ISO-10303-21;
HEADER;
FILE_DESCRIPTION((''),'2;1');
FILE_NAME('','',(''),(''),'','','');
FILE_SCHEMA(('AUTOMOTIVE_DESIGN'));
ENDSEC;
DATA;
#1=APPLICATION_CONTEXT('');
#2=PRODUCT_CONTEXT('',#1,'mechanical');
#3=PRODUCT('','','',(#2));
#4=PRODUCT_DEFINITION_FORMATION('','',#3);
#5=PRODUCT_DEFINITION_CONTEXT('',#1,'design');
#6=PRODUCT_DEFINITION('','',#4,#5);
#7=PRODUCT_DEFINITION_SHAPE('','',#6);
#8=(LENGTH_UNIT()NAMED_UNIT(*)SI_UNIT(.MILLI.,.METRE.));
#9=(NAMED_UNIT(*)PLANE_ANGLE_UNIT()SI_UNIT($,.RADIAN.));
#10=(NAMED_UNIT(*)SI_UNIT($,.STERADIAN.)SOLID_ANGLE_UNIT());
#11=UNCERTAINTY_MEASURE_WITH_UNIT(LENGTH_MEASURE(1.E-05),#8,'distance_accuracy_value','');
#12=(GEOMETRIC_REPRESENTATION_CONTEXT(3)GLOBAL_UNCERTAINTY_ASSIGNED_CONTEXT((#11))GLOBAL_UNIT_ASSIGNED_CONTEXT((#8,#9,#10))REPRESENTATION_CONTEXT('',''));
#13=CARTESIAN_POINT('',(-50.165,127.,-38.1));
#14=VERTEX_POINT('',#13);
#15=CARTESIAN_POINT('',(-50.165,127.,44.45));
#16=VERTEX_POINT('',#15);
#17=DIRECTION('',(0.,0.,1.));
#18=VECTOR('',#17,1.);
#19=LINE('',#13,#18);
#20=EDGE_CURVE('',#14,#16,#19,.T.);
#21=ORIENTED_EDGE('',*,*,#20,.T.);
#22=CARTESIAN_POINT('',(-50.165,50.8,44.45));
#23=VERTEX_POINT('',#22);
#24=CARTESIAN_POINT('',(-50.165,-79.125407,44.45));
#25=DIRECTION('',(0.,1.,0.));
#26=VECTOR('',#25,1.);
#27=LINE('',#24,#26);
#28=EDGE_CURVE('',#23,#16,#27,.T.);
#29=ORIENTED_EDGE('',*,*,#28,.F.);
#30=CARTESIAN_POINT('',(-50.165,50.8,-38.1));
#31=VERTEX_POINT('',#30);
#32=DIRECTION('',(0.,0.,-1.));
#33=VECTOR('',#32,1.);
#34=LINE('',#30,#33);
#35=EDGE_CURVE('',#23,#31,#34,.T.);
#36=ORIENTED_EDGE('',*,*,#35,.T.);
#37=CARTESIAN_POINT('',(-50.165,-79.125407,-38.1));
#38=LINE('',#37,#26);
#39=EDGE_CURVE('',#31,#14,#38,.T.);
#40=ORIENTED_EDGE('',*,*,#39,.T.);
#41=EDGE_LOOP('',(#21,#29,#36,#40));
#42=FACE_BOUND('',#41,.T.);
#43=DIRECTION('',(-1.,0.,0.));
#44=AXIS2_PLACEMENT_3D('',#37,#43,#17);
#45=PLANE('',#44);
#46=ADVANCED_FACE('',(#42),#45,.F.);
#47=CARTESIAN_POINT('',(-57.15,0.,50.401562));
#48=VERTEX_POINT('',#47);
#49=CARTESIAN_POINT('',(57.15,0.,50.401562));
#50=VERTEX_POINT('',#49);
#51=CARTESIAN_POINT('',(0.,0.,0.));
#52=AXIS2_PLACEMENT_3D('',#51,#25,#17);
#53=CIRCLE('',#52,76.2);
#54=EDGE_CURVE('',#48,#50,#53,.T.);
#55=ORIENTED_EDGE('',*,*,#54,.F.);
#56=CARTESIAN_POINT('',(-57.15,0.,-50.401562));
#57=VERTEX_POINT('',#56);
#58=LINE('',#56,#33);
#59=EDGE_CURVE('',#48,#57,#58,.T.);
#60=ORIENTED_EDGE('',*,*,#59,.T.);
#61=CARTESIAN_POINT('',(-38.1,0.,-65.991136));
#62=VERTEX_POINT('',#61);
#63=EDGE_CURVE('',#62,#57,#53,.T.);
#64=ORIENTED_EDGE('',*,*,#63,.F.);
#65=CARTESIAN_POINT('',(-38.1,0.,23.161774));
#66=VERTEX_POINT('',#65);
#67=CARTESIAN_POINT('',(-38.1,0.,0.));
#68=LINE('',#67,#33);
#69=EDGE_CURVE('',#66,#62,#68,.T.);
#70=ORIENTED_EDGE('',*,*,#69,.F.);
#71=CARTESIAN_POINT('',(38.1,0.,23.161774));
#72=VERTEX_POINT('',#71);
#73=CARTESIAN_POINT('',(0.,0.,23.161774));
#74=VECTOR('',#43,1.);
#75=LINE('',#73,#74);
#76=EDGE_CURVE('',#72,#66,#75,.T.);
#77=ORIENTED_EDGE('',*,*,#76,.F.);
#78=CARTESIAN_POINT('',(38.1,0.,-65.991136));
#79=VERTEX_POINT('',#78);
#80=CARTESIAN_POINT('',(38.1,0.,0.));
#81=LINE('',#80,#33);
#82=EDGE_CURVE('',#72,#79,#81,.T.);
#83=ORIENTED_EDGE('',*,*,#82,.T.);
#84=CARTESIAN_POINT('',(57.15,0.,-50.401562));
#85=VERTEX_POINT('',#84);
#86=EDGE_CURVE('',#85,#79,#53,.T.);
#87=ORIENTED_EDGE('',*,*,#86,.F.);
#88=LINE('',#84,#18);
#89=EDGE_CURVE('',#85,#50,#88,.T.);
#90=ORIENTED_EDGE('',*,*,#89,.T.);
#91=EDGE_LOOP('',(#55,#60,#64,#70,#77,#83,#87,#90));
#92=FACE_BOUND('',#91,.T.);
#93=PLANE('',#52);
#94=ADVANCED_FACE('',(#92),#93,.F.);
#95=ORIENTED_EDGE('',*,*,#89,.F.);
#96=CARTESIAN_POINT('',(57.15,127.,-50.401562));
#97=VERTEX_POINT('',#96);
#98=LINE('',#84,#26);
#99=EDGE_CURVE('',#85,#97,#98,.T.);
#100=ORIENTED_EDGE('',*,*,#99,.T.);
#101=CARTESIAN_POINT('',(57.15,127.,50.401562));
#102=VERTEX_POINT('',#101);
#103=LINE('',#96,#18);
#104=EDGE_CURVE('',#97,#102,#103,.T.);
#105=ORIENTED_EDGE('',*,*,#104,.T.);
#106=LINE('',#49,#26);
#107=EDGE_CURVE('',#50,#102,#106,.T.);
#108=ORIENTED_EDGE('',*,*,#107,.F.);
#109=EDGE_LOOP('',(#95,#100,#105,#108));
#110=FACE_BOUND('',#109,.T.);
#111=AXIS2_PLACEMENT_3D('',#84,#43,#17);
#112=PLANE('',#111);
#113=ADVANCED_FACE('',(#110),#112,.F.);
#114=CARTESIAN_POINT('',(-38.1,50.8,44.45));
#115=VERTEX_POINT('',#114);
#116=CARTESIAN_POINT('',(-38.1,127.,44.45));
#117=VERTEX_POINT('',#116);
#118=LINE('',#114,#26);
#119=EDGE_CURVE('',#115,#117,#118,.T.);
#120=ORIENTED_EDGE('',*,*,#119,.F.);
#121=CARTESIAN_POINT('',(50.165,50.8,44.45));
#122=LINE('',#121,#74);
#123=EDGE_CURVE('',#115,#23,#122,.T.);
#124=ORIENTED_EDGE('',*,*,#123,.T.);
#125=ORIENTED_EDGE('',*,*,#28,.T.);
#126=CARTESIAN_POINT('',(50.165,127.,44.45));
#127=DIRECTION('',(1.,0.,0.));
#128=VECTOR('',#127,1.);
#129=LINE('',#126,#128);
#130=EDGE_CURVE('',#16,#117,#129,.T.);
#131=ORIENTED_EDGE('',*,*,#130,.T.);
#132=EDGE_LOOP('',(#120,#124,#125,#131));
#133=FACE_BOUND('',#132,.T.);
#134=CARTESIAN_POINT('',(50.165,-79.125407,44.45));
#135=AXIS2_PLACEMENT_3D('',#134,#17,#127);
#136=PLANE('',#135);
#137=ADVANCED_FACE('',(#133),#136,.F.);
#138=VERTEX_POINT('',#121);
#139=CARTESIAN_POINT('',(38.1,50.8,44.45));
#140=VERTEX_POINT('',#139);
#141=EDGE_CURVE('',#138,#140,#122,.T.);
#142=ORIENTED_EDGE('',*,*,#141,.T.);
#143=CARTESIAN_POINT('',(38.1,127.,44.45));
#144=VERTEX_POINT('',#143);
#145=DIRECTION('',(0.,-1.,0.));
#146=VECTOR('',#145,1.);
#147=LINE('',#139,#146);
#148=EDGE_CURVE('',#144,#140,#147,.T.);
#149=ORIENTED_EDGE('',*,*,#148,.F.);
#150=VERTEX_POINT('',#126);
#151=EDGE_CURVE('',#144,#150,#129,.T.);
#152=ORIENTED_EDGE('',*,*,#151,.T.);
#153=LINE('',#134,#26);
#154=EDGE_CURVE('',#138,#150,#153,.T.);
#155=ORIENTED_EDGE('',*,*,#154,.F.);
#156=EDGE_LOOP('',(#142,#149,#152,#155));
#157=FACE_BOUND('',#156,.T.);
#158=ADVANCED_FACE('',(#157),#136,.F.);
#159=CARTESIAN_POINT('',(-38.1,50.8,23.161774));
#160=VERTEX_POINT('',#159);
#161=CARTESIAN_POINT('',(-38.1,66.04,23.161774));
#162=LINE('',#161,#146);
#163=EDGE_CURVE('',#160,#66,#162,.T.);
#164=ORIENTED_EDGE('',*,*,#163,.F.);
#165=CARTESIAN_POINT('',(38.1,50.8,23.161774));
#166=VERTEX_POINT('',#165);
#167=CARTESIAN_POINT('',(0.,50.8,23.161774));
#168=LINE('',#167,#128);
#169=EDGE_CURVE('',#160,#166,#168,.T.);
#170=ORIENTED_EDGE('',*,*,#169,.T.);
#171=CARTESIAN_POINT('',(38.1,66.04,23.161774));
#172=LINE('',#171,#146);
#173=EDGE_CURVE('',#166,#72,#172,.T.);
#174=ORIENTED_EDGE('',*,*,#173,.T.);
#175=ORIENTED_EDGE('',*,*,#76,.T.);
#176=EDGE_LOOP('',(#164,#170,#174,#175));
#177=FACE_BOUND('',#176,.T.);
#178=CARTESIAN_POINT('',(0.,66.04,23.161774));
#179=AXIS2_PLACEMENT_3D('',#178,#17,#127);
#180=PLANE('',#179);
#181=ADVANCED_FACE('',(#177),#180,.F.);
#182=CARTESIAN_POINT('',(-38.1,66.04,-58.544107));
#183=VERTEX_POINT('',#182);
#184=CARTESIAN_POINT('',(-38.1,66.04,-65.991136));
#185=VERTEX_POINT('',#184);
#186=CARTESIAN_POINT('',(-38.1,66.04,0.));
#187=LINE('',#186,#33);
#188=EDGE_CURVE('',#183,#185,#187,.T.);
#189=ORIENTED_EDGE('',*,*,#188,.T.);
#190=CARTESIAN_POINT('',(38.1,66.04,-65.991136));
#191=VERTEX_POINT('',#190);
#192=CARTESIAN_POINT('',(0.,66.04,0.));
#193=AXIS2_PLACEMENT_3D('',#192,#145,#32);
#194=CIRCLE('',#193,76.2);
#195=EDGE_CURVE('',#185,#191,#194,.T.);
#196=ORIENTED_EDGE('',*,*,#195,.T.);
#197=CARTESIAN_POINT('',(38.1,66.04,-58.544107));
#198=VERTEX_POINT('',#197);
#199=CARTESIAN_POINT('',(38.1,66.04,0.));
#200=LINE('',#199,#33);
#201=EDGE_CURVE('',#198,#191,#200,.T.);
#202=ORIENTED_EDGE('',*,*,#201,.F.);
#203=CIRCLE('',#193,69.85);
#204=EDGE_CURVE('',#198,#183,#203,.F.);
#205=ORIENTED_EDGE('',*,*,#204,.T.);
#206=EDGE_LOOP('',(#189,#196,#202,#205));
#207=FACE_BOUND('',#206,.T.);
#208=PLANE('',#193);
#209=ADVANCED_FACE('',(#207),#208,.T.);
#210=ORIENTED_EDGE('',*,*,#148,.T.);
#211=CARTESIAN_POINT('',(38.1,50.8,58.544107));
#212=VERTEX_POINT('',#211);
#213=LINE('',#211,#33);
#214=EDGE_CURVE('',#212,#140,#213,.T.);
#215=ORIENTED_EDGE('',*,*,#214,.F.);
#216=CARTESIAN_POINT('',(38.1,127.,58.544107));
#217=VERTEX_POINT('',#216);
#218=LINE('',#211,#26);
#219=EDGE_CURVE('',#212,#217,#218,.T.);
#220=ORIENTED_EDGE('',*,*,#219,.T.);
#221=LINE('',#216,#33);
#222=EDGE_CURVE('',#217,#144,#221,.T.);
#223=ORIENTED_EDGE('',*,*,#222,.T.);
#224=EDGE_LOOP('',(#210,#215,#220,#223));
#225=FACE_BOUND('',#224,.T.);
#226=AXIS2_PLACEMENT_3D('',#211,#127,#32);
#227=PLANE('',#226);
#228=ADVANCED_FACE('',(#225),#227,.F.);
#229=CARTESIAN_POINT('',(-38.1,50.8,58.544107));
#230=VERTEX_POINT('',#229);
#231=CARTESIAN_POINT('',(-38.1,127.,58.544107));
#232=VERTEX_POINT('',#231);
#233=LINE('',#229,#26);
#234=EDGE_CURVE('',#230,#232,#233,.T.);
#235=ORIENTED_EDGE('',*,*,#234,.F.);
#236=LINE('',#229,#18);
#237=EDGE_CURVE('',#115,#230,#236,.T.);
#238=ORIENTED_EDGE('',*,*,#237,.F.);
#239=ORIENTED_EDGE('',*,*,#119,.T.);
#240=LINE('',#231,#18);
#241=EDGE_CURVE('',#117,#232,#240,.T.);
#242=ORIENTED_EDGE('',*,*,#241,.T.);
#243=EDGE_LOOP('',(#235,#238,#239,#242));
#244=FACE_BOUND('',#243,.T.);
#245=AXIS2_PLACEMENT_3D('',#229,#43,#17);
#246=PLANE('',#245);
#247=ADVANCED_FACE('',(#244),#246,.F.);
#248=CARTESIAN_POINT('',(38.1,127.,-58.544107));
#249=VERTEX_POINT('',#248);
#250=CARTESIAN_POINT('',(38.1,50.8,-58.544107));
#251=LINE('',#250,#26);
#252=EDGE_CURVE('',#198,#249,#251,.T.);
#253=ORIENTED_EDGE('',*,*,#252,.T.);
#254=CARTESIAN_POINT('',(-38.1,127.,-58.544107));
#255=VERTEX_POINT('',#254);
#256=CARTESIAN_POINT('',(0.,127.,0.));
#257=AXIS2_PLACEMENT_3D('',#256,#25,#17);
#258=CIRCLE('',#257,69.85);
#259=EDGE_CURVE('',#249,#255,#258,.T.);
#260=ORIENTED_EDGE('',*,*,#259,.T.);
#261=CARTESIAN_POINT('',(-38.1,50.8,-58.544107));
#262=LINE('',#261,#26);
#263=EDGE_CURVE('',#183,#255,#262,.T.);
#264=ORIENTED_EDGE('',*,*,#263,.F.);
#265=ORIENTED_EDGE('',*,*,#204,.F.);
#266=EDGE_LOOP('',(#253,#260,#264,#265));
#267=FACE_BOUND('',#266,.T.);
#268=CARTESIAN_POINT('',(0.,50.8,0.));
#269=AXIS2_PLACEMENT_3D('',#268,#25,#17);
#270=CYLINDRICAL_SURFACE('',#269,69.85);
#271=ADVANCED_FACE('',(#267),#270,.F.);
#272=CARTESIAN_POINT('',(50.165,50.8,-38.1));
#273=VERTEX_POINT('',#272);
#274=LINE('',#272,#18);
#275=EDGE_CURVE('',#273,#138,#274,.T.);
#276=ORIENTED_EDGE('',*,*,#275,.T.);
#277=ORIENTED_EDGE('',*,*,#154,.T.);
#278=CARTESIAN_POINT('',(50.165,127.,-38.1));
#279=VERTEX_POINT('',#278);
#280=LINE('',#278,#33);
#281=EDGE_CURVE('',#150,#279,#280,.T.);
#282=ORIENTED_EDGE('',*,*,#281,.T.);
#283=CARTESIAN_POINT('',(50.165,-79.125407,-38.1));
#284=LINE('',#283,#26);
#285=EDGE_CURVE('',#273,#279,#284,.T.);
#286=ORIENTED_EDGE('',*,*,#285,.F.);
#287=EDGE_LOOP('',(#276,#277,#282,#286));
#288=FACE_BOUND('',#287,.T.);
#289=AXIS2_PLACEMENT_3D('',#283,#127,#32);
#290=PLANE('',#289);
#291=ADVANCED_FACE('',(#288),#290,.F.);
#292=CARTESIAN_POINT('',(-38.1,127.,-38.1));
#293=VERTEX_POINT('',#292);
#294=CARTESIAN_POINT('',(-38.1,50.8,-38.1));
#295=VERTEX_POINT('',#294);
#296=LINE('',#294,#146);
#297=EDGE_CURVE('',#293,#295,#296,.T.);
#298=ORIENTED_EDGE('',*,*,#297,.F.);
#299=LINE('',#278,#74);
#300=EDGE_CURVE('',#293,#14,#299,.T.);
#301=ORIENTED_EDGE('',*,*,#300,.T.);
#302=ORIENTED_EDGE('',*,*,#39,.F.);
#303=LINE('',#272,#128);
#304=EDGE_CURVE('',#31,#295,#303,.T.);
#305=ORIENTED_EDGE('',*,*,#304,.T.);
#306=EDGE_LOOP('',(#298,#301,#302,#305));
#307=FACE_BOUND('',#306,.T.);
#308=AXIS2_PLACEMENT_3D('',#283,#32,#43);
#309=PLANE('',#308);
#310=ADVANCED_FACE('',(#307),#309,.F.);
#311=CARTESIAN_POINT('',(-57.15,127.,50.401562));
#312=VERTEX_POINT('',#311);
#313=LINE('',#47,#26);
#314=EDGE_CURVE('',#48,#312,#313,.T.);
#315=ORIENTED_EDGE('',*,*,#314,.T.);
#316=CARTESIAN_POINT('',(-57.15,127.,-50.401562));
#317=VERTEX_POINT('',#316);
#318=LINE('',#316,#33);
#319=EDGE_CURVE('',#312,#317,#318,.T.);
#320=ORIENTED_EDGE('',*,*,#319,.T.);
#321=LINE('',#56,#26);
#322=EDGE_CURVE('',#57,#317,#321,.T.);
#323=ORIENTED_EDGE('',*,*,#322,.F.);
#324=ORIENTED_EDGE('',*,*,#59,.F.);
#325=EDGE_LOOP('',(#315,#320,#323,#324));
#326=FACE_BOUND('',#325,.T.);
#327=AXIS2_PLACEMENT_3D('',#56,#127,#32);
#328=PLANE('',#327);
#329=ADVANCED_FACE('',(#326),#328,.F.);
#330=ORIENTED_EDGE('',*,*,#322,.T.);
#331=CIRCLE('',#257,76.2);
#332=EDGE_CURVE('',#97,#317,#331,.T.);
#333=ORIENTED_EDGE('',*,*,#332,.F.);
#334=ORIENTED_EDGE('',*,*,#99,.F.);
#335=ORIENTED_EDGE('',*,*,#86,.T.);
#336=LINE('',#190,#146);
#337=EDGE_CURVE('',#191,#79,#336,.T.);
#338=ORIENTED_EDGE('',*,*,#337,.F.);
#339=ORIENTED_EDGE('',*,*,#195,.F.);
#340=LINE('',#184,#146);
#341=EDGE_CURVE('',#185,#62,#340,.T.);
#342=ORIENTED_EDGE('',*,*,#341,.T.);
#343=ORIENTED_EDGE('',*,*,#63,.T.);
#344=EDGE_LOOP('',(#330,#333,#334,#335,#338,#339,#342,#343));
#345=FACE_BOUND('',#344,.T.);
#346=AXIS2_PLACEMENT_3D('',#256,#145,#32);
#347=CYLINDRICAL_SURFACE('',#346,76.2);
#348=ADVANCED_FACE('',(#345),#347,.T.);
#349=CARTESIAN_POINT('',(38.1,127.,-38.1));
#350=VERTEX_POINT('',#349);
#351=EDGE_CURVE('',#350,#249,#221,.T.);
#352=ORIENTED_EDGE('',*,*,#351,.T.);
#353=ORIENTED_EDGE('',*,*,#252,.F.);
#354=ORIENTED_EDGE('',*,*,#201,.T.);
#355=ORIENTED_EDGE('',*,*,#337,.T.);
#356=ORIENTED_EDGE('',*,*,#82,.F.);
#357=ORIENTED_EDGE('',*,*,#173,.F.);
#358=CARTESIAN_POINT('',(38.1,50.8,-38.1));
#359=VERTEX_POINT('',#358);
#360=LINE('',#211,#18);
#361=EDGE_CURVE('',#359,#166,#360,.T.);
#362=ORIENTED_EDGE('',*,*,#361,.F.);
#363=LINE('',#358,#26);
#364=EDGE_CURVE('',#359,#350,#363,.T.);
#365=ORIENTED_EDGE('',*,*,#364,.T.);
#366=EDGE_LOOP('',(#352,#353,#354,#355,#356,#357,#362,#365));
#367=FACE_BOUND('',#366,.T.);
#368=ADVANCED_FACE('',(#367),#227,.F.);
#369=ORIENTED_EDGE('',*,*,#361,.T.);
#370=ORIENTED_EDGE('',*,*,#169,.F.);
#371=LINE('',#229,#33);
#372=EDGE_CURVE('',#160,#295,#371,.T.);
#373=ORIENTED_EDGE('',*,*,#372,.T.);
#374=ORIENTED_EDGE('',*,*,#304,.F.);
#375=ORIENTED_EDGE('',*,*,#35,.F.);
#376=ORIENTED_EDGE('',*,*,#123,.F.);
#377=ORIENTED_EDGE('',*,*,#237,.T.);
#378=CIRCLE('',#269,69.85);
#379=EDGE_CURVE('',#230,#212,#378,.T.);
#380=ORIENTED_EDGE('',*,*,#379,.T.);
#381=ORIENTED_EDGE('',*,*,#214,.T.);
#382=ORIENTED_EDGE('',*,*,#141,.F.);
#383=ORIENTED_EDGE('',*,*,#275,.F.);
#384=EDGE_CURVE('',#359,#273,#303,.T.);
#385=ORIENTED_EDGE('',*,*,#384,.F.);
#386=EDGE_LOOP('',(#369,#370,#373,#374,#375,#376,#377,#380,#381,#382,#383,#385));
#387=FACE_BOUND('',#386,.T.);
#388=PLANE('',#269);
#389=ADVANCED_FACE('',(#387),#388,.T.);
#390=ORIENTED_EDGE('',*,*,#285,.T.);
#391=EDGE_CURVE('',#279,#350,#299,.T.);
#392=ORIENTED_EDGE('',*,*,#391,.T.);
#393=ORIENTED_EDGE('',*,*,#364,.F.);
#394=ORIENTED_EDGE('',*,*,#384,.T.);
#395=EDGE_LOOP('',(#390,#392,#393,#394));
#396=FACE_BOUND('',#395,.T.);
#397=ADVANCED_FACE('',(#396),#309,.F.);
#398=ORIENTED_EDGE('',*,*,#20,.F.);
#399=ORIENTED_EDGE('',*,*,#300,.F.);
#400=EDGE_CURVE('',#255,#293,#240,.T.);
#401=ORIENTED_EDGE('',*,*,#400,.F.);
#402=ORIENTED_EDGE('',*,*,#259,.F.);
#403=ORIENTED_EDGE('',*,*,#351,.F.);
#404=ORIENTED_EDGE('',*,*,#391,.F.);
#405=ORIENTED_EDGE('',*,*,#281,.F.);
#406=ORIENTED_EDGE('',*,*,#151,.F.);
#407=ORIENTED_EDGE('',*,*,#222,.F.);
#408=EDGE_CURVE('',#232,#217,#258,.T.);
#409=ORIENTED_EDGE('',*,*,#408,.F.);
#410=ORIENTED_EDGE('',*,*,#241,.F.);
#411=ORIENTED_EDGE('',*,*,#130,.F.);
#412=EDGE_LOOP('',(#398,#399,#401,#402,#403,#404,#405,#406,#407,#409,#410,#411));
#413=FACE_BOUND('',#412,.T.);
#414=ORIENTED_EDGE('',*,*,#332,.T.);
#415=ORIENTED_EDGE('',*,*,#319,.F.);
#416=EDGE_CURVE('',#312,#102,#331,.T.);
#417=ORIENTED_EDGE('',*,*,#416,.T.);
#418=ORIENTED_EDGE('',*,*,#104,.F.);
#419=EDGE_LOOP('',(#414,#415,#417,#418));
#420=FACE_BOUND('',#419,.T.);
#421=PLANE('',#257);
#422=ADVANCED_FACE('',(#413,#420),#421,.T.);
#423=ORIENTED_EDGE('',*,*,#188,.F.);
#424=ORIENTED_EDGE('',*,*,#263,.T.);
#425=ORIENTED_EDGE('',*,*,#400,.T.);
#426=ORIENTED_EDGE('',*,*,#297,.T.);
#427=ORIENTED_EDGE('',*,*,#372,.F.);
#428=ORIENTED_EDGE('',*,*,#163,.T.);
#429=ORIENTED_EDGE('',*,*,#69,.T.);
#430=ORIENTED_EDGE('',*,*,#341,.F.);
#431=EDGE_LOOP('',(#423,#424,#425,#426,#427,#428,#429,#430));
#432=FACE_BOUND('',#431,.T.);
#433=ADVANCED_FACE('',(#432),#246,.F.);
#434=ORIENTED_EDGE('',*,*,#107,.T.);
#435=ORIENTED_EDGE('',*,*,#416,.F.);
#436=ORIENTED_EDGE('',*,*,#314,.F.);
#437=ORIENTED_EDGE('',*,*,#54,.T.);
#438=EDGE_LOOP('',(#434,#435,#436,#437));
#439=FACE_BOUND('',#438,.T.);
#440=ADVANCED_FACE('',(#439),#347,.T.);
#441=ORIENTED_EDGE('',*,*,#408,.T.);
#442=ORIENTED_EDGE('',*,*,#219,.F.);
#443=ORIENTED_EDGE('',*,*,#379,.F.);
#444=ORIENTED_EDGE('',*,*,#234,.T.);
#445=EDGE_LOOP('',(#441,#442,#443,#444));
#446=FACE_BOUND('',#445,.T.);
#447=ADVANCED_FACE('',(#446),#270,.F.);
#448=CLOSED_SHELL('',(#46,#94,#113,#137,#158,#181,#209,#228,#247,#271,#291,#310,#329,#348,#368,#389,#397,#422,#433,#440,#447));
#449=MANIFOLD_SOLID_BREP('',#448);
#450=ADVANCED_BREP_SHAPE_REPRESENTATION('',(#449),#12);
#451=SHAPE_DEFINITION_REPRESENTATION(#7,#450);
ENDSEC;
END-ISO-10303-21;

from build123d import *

# Parameters (mm, degrees)
SKETCH1_R           = 76.2
BOSS_EXTRUDE1_DEPTH = 127
CUT_EXTRUDE1_DEPTH  = 76.2
SKETCH3_W           = 76.2
SKETCH3_H           = 89.15290971
CUT_EXTRUDE2_DEPTH  = 66.04
CUT_EXTRUDE4_DEPTH  = 167.558938517
SKETCH6_W           = 100.33
SKETCH6_H           = 82.55
CUT_EXTRUDE6_DEPTH  = 76.2


with BuildPart() as part:
    # Sketch1 → Boss-Extrude1 (new body)
    with BuildSketch(Plane(origin=(0, 0, 0), x_dir=(1, 0, 0), z_dir=(0, 1, 0))):
        with Locations(Location((0, 0, 0), (0, 0, 270))):
            Circle(SKETCH1_R)
    extrude(amount=BOSS_EXTRUDE1_DEPTH)

    # Sketch2 → Cut-Extrude1 (cut)
    with BuildSketch(Plane(origin=(0, 127, 0), x_dir=(1, 0, 0), z_dir=(0, 1, 0))):
        with BuildLine():
            Line((38.1, -58.544107304), (38.1, 58.544107304))
            ThreePointArc((38.1, 58.544107304), (0, 69.85), (-38.1, 58.544107304))
            Line((-38.1, 58.544107304), (-38.1, -58.544107304))
            ThreePointArc((-38.1, -58.544107304), (0, -69.85), (38.1, -58.544107304))
        make_face()
    extrude(amount=-CUT_EXTRUDE1_DEPTH, mode=Mode.SUBTRACT)

    # Sketch3 → Cut-Extrude2 (cut)
    with BuildSketch(Plane.XZ):
        with Locations((0, -21.414680913)):
            Rectangle(SKETCH3_W, SKETCH3_H)
        with BuildLine():
            Line((38.1, -65.991135768), (-38.1, -65.991135768))
            ThreePointArc((-38.1, -65.991135768), (0, -76.2), (38.1, -65.991135768))
        make_face()
    extrude(amount=-CUT_EXTRUDE2_DEPTH, mode=Mode.SUBTRACT)

    # Sketch5 → Cut-Extrude4 (cut, through all)
    with BuildSketch(Plane(origin=(0, 127, 0), x_dir=(1, 0, 0), z_dir=(0, 1, 0))):
        with BuildLine():
            Line((-57.15, 50.401562476), (-57.15, -50.401562476))
            ThreePointArc((-57.15, -50.401562476), (-76.2, 0), (-57.15, 50.401562476))
        make_face()
        with BuildLine():
            Line((57.15, 50.401562476), (57.15, -50.401562476))
            ThreePointArc((57.15, -50.401562476), (76.2, 0), (57.15, 50.401562476))
        make_face()
    extrude(amount=-CUT_EXTRUDE4_DEPTH, mode=Mode.SUBTRACT)

    # Sketch6 → Cut-Extrude6 (cut)
    with BuildSketch(Plane(origin=(0, 127, 0), x_dir=(1, 0, 0), z_dir=(0, 1, 0))):
        with Locations((0, -3.175)):
            Rectangle(SKETCH6_W, SKETCH6_H)
    extrude(amount=-CUT_EXTRUDE6_DEPTH, mode=Mode.SUBTRACT)


solid = part.part
